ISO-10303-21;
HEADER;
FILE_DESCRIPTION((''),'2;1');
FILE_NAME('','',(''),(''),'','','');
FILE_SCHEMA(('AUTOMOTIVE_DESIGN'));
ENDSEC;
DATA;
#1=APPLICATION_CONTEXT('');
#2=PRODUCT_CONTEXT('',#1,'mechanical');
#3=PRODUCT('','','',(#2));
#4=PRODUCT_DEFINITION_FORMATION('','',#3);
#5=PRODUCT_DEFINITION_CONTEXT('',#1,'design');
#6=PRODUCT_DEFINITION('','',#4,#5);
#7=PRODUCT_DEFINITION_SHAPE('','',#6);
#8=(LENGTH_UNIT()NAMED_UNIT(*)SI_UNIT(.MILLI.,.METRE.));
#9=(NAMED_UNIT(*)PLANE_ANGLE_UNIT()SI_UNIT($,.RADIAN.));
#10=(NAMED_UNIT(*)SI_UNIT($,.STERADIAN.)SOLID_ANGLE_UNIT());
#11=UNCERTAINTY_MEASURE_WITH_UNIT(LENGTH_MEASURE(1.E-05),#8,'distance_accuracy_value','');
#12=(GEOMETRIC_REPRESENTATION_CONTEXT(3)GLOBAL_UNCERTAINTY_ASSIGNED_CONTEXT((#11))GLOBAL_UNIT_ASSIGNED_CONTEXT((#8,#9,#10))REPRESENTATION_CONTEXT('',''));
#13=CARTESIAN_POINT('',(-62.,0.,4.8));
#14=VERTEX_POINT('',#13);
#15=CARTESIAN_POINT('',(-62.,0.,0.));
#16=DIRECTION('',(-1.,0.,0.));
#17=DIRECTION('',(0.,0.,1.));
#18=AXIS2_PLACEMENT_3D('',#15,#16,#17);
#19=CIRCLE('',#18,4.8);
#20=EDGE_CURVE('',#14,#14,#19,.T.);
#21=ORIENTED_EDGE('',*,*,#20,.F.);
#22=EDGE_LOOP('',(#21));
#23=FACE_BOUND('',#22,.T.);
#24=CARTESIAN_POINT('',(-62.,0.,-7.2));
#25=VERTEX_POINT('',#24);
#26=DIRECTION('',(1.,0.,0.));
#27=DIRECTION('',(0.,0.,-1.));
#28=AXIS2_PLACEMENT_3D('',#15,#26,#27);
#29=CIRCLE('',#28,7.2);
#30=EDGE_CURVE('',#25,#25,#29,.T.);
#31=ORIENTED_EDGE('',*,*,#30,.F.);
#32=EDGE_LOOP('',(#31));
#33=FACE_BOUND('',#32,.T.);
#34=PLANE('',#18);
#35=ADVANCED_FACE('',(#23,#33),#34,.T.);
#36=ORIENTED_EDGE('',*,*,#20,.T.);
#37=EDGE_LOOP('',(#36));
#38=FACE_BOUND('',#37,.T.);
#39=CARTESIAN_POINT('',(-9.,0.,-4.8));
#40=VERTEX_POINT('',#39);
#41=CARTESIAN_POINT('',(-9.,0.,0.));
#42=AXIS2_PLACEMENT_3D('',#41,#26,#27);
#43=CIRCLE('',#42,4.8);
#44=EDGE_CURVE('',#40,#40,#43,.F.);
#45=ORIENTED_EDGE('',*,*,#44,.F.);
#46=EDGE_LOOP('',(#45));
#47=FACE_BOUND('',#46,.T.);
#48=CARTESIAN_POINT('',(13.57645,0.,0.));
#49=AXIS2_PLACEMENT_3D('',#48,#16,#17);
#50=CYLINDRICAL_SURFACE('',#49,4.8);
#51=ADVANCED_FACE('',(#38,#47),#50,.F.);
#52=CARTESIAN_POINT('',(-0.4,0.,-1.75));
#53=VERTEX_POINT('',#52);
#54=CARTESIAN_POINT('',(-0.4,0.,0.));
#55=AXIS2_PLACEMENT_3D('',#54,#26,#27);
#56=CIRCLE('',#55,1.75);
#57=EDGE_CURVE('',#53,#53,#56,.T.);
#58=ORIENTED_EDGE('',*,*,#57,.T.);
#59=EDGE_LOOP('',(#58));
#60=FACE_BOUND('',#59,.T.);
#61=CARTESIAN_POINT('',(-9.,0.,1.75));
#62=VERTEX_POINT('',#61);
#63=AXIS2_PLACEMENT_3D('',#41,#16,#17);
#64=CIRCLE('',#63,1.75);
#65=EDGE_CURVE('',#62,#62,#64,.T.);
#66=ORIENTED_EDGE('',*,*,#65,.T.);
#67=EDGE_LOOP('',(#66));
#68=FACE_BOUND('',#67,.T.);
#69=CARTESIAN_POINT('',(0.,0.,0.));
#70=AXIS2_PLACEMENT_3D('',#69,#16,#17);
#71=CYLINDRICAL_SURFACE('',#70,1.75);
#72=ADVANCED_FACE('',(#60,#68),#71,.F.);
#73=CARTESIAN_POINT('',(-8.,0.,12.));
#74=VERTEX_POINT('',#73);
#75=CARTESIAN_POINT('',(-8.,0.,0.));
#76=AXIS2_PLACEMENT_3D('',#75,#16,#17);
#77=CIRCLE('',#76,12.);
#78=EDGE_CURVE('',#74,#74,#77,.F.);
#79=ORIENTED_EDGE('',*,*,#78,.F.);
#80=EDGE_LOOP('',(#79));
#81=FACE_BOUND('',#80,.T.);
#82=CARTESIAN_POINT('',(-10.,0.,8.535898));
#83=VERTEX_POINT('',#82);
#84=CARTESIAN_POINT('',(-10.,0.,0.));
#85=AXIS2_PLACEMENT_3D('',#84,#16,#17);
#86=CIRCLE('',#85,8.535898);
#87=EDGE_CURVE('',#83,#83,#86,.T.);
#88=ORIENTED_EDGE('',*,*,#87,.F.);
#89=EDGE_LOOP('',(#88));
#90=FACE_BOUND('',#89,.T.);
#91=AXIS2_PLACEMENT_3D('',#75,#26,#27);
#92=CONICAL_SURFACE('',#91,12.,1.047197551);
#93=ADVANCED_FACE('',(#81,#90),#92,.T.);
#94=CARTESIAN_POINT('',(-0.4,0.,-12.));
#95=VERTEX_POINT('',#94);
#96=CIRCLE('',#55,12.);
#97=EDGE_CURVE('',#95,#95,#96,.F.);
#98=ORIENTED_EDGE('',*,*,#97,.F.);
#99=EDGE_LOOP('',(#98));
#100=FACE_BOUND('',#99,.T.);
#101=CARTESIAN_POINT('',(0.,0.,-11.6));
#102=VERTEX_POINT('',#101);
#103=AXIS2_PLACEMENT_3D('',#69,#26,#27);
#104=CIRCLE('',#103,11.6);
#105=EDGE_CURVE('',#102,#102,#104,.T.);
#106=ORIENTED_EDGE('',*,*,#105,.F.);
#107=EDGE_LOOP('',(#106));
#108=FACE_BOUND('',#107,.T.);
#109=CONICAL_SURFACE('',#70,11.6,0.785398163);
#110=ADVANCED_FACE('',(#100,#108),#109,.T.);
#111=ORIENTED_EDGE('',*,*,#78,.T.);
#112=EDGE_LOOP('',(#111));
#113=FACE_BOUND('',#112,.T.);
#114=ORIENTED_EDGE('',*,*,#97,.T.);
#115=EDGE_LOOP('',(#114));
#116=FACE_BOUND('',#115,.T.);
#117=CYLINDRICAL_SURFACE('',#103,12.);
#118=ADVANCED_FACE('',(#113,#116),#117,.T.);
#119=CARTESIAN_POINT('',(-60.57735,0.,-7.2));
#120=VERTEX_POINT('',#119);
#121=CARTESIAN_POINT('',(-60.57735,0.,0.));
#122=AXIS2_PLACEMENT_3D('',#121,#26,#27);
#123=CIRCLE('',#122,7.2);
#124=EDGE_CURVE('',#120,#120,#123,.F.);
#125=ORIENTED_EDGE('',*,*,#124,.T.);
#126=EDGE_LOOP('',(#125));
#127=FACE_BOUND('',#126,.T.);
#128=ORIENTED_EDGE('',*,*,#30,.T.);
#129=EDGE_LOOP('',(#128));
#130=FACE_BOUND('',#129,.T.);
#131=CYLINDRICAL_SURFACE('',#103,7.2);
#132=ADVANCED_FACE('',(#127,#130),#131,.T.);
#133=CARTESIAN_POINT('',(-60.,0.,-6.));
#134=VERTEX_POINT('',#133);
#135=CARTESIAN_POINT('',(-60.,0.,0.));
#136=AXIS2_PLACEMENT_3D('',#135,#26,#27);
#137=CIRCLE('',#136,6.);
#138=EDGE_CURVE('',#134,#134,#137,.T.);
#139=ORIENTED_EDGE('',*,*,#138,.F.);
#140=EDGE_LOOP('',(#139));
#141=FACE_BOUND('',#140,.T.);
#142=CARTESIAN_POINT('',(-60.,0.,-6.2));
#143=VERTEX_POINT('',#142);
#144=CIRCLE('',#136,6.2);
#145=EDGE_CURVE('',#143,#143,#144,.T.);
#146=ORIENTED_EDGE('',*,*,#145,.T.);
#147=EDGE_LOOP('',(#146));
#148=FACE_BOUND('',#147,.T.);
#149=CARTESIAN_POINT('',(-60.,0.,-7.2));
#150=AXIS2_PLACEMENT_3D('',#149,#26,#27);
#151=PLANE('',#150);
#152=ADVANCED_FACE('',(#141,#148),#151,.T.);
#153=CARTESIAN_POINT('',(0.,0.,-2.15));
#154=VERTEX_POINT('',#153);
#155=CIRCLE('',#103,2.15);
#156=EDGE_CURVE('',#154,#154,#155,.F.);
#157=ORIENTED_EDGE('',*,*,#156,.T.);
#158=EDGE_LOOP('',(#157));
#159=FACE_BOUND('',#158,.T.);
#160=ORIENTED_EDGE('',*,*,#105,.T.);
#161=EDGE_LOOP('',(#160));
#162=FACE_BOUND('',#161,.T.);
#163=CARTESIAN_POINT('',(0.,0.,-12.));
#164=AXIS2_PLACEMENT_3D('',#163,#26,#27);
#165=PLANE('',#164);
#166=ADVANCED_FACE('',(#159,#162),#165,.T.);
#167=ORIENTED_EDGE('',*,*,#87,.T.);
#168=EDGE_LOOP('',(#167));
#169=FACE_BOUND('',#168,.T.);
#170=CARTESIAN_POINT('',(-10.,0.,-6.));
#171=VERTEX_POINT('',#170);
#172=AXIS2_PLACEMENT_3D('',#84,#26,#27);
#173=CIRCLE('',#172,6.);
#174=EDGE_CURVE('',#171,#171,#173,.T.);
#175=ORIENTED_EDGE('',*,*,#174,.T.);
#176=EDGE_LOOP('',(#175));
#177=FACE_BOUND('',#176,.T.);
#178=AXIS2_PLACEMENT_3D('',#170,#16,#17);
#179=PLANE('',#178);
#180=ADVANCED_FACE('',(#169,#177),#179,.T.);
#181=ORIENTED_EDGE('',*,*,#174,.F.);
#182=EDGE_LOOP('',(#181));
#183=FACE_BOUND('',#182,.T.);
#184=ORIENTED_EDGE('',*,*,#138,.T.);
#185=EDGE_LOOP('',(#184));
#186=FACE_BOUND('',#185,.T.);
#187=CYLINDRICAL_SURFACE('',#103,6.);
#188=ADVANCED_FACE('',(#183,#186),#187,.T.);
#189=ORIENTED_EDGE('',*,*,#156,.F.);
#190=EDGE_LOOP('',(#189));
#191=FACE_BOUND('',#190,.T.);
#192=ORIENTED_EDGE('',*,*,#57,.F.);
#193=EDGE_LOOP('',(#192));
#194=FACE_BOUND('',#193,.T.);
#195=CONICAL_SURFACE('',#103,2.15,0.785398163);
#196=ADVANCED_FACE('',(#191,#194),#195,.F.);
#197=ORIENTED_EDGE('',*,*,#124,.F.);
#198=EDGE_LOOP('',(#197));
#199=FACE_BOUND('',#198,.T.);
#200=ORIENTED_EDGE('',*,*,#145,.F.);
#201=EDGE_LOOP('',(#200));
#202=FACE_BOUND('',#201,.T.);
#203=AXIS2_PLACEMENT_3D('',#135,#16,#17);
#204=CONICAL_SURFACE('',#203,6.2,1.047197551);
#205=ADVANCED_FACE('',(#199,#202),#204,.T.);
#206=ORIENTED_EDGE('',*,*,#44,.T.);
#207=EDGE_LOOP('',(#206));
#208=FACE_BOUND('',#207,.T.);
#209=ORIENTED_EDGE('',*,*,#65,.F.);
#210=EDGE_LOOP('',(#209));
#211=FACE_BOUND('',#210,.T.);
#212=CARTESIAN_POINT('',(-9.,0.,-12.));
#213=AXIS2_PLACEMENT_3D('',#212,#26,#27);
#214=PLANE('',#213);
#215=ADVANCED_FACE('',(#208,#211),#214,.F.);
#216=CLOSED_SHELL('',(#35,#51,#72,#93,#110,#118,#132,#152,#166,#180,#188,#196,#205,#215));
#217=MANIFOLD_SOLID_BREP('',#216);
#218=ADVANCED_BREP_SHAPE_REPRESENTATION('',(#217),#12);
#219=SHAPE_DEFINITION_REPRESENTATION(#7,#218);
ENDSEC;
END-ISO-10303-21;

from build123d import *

# Parameters (mm, degrees)
CHAMFER1_SIZE      = 1
CHAMFER1_SIZE2     = 0.577350269
CHAMFER2_SIZE      = 2
CHAMFER2_SIZE2     = 3.464101615
SKETCH4_R          = 4.8
CUT_EXTRUDE1_DEPTH = 53
SKETCH5_R          = 1.75
CUT_EXTRUDE2_DEPTH = 10
CHAMFER3_SIZE      = 0.4


with BuildPart() as part:
    # Sketch3 → Revolve1 (revolve)
    with BuildSketch(Plane(origin=(0, 0, 0), x_dir=(1, 0, 0), z_dir=(0, 1, 0))):
        Polygon((-62, 0), (-62, 7.2), (-60, 7.2), (-60, 6), (-10, 6), (-10, 12), (0, 12), (0, 0), align=None)
    revolve(axis=Axis((0, 0, 0), (-1, 0, 0)))

    # Chamfer1
    chamfer1_edges = [part.edges().sort_by_distance(p)[0] for p in [
        (-60, 0, 7.2),
    ]]
    chamfer1_side = [part.faces().sort_by_distance(p)[0] for p in [
        (-60, 0, 6.996353247),
    ]]
    chamfer(chamfer1_edges, length=CHAMFER1_SIZE, length2=CHAMFER1_SIZE2, reference=chamfer1_side[0])

    # Chamfer2
    chamfer2_edges = [part.edges().sort_by_distance(p)[0] for p in [
        (-10, 0, 12),
    ]]
    chamfer2_side = [part.faces().sort_by_distance(p)[0] for p in [
        (-5, 0, 12),
    ]]
    chamfer(chamfer2_edges, length=CHAMFER2_SIZE, length2=CHAMFER2_SIZE2, reference=chamfer2_side[0])

    # Sketch4 → Cut-Extrude1 (cut)
    with BuildSketch(Plane.ZY.offset(62)):
        Circle(SKETCH4_R)
    extrude(amount=-CUT_EXTRUDE1_DEPTH, mode=Mode.SUBTRACT)

    # Sketch5 → Cut-Extrude2 (cut, through all)
    with BuildSketch(Plane.ZY.offset(9)):
        Circle(SKETCH5_R)
    extrude(amount=-CUT_EXTRUDE2_DEPTH, mode=Mode.SUBTRACT)

    # Chamfer3
    chamfer3_edges = [part.edges().sort_by_distance(p)[0] for p in [
        (0, 0, -1.75),
        (0, 0, 12),
    ]]
    chamfer(chamfer3_edges, length=CHAMFER3_SIZE)


solid = part.part
